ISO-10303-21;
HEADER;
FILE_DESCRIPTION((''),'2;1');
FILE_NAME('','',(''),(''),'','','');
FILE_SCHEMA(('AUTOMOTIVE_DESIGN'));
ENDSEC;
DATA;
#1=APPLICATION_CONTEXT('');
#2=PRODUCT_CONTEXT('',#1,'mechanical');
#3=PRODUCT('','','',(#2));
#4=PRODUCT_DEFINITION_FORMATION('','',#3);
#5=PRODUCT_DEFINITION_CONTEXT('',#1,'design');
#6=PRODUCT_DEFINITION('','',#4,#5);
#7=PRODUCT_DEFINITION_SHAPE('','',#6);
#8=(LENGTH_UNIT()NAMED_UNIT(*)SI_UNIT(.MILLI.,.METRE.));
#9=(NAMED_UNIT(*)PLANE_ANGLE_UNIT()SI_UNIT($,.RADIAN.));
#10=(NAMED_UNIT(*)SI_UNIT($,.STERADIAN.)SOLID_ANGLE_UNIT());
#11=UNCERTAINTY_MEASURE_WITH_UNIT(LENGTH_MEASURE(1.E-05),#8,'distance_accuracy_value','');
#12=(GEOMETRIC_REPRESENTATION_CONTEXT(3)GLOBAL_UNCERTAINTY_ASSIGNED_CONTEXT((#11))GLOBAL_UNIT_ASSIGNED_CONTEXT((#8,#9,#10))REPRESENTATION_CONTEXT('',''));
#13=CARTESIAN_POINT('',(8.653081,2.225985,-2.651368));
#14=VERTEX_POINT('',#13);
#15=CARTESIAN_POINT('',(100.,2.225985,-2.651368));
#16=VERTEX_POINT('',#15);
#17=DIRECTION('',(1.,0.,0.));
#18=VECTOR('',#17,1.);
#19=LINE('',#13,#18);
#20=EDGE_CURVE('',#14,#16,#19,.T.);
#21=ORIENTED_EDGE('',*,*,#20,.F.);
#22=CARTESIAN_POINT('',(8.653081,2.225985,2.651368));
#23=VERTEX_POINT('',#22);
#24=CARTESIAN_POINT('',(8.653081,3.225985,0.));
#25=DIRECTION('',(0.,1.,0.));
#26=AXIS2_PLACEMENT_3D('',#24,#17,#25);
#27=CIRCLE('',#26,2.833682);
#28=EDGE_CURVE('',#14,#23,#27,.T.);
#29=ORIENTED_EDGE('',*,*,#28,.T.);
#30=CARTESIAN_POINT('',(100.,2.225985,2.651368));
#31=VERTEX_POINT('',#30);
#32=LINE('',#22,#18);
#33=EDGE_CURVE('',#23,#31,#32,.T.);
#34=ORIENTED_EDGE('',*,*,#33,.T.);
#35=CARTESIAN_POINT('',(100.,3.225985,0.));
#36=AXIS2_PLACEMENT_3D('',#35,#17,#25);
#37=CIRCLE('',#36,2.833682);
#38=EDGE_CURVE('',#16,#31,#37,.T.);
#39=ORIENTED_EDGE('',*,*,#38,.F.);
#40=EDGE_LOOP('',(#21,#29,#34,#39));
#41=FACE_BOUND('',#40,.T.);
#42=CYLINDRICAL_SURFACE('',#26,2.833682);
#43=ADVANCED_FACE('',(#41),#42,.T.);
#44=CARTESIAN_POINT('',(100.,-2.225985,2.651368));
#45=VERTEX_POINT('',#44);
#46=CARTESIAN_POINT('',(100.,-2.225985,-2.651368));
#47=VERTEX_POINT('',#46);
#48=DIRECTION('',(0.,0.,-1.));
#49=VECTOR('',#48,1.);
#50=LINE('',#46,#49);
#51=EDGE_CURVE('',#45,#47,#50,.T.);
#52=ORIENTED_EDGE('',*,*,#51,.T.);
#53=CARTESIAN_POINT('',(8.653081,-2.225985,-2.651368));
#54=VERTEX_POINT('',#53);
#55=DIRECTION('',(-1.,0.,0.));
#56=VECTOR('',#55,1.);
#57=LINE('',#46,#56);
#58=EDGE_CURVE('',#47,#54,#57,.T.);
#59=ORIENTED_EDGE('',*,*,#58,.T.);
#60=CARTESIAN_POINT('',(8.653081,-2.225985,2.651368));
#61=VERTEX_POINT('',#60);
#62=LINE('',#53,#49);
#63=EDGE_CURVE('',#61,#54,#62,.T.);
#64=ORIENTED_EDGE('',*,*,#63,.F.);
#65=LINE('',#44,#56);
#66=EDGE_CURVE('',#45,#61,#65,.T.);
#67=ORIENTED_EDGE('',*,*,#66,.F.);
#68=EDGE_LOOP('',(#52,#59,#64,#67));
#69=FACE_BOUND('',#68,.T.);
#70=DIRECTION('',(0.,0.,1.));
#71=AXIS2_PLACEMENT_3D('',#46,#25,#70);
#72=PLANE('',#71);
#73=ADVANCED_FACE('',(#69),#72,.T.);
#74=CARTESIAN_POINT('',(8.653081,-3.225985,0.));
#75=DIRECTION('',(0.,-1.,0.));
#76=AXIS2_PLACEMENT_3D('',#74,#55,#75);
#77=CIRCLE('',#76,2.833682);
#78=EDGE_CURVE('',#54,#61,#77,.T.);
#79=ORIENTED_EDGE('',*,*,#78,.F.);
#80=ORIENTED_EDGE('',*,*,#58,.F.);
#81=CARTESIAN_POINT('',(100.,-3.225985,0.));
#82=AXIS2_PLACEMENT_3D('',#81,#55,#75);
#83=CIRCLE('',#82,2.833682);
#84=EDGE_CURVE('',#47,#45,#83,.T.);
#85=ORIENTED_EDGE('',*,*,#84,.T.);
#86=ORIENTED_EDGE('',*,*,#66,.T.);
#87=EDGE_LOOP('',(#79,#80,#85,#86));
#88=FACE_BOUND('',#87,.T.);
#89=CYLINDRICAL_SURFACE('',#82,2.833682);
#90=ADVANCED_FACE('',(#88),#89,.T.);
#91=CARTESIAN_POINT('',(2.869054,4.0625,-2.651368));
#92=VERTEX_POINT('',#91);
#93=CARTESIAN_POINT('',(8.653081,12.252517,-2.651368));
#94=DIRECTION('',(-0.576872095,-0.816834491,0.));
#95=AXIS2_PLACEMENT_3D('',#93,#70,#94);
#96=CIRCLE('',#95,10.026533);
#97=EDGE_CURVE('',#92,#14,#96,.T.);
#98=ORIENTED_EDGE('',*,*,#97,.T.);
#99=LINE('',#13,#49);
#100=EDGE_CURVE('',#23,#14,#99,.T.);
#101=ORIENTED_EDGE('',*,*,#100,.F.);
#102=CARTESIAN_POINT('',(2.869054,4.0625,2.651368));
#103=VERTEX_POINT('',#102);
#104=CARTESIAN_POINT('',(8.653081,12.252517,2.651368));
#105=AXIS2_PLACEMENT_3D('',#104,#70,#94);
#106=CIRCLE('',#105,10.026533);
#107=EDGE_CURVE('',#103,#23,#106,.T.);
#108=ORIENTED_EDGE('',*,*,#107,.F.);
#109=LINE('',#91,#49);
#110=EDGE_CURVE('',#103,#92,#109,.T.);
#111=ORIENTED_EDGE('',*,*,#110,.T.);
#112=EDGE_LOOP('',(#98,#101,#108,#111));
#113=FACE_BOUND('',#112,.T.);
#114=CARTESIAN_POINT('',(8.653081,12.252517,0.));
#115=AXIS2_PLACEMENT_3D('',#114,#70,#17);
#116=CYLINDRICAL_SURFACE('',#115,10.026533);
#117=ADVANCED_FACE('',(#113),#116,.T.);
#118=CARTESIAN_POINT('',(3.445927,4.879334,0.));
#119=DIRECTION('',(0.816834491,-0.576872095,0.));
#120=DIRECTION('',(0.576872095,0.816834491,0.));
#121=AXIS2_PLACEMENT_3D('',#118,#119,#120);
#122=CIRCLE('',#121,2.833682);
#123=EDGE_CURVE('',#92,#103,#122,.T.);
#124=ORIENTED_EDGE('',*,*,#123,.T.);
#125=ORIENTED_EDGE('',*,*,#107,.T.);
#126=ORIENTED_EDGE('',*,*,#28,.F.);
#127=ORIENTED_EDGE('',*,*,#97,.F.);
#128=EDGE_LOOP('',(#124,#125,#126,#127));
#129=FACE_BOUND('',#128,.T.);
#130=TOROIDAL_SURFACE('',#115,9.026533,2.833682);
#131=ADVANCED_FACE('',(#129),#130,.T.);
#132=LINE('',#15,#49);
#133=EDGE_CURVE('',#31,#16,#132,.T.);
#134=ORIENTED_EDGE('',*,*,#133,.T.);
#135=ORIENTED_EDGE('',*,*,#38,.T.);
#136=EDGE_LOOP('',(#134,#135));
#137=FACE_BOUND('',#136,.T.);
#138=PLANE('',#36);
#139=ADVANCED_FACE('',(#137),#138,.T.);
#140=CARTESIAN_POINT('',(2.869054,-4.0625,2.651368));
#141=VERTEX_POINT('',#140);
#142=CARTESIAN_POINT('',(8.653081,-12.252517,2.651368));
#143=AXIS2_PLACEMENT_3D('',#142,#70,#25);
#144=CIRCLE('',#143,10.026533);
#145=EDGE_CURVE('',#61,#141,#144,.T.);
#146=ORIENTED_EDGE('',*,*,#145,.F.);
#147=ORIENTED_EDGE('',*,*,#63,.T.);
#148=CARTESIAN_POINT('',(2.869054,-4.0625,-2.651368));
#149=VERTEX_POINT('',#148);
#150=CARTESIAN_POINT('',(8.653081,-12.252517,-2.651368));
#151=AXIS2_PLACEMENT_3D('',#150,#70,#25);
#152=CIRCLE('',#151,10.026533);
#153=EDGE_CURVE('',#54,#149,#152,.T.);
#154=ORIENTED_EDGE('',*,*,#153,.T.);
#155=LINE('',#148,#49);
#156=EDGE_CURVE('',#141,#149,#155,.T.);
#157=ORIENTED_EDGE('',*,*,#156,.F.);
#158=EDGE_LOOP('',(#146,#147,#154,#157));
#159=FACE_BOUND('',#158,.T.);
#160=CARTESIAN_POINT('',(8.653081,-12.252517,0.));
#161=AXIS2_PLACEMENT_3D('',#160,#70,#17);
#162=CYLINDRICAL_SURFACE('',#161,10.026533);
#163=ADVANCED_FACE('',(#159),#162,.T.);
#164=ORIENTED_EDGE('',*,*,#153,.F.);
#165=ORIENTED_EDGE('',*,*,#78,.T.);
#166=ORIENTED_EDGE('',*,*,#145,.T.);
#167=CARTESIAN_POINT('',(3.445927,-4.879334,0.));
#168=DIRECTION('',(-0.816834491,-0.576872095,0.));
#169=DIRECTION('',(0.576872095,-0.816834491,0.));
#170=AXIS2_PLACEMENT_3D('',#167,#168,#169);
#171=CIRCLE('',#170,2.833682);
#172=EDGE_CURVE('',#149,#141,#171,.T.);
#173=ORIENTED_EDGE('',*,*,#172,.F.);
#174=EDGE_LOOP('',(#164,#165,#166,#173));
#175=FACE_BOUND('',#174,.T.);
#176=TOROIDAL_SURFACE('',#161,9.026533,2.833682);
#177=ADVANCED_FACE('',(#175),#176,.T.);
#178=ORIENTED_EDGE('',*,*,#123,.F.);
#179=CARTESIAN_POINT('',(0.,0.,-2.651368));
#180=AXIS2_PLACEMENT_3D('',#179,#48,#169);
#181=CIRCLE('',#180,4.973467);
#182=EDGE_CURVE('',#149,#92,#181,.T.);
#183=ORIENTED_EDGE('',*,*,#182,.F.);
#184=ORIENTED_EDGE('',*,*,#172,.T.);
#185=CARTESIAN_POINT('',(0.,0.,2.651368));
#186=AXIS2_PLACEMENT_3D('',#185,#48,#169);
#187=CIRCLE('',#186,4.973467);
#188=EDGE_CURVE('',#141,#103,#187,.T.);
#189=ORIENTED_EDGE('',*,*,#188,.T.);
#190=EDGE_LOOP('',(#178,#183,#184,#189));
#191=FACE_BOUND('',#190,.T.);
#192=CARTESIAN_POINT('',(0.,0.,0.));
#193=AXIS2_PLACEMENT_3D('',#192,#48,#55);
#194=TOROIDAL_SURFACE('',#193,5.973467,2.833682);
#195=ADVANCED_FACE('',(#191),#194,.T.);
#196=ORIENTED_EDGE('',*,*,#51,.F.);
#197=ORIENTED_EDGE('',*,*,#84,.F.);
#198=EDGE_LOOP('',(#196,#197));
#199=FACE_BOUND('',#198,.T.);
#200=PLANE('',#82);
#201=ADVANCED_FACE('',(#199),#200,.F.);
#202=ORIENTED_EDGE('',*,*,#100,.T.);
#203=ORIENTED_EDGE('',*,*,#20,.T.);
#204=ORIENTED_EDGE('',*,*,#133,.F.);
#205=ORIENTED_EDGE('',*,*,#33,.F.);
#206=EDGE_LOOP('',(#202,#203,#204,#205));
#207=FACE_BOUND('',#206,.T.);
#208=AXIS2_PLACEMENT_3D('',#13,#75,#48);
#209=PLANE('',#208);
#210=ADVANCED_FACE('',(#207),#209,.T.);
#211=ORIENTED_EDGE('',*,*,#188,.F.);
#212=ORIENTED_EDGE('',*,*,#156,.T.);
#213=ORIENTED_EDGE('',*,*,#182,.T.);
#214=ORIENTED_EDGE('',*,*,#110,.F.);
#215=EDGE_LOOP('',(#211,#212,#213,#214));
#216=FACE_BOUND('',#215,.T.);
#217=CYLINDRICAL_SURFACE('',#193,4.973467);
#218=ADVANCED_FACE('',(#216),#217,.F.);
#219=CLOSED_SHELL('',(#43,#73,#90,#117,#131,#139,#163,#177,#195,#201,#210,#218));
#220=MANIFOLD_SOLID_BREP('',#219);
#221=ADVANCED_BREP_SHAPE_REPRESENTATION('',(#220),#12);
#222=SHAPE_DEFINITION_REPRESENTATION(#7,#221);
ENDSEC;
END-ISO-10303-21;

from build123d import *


with BuildPart() as part:
    # Sweep1: sweep along a path in Sketch1
    with BuildLine(Plane.XY) as sweep1_path:
        Line((100, 2.252517363), (8.653081432, 2.252517363))
        ThreePointArc((8.653081432, 2.252517363), (5.626817158, 2.721424847), (2.884360477, 4.084172454))
        ThreePointArc((2.884360477, 4.084172454), (-5, 0), (2.884360477, -4.084172454))
        ThreePointArc((2.884360477, -4.084172454), (5.626817158, -2.721424847), (8.653081432, -2.252517363))
        Line((8.653081432, -2.252517363), (100, -2.252517363))
    # Sketch2 → Sweep1 (sweep)
    with BuildSketch(Plane(origin=(100, 2.252517363, 0), x_dir=(0, 0, -1), z_dir=(1, 0, 0))):
        with BuildLine():
            Line((2.651367996, -0.026532803), (-2.651367996, -0.026532803))
            ThreePointArc((-2.651367996, -0.026532803), (0, 3.807148945), (2.651367996, -0.026532803))
        make_face()
    sweep(path=sweep1_path.line)


solid = part.part
